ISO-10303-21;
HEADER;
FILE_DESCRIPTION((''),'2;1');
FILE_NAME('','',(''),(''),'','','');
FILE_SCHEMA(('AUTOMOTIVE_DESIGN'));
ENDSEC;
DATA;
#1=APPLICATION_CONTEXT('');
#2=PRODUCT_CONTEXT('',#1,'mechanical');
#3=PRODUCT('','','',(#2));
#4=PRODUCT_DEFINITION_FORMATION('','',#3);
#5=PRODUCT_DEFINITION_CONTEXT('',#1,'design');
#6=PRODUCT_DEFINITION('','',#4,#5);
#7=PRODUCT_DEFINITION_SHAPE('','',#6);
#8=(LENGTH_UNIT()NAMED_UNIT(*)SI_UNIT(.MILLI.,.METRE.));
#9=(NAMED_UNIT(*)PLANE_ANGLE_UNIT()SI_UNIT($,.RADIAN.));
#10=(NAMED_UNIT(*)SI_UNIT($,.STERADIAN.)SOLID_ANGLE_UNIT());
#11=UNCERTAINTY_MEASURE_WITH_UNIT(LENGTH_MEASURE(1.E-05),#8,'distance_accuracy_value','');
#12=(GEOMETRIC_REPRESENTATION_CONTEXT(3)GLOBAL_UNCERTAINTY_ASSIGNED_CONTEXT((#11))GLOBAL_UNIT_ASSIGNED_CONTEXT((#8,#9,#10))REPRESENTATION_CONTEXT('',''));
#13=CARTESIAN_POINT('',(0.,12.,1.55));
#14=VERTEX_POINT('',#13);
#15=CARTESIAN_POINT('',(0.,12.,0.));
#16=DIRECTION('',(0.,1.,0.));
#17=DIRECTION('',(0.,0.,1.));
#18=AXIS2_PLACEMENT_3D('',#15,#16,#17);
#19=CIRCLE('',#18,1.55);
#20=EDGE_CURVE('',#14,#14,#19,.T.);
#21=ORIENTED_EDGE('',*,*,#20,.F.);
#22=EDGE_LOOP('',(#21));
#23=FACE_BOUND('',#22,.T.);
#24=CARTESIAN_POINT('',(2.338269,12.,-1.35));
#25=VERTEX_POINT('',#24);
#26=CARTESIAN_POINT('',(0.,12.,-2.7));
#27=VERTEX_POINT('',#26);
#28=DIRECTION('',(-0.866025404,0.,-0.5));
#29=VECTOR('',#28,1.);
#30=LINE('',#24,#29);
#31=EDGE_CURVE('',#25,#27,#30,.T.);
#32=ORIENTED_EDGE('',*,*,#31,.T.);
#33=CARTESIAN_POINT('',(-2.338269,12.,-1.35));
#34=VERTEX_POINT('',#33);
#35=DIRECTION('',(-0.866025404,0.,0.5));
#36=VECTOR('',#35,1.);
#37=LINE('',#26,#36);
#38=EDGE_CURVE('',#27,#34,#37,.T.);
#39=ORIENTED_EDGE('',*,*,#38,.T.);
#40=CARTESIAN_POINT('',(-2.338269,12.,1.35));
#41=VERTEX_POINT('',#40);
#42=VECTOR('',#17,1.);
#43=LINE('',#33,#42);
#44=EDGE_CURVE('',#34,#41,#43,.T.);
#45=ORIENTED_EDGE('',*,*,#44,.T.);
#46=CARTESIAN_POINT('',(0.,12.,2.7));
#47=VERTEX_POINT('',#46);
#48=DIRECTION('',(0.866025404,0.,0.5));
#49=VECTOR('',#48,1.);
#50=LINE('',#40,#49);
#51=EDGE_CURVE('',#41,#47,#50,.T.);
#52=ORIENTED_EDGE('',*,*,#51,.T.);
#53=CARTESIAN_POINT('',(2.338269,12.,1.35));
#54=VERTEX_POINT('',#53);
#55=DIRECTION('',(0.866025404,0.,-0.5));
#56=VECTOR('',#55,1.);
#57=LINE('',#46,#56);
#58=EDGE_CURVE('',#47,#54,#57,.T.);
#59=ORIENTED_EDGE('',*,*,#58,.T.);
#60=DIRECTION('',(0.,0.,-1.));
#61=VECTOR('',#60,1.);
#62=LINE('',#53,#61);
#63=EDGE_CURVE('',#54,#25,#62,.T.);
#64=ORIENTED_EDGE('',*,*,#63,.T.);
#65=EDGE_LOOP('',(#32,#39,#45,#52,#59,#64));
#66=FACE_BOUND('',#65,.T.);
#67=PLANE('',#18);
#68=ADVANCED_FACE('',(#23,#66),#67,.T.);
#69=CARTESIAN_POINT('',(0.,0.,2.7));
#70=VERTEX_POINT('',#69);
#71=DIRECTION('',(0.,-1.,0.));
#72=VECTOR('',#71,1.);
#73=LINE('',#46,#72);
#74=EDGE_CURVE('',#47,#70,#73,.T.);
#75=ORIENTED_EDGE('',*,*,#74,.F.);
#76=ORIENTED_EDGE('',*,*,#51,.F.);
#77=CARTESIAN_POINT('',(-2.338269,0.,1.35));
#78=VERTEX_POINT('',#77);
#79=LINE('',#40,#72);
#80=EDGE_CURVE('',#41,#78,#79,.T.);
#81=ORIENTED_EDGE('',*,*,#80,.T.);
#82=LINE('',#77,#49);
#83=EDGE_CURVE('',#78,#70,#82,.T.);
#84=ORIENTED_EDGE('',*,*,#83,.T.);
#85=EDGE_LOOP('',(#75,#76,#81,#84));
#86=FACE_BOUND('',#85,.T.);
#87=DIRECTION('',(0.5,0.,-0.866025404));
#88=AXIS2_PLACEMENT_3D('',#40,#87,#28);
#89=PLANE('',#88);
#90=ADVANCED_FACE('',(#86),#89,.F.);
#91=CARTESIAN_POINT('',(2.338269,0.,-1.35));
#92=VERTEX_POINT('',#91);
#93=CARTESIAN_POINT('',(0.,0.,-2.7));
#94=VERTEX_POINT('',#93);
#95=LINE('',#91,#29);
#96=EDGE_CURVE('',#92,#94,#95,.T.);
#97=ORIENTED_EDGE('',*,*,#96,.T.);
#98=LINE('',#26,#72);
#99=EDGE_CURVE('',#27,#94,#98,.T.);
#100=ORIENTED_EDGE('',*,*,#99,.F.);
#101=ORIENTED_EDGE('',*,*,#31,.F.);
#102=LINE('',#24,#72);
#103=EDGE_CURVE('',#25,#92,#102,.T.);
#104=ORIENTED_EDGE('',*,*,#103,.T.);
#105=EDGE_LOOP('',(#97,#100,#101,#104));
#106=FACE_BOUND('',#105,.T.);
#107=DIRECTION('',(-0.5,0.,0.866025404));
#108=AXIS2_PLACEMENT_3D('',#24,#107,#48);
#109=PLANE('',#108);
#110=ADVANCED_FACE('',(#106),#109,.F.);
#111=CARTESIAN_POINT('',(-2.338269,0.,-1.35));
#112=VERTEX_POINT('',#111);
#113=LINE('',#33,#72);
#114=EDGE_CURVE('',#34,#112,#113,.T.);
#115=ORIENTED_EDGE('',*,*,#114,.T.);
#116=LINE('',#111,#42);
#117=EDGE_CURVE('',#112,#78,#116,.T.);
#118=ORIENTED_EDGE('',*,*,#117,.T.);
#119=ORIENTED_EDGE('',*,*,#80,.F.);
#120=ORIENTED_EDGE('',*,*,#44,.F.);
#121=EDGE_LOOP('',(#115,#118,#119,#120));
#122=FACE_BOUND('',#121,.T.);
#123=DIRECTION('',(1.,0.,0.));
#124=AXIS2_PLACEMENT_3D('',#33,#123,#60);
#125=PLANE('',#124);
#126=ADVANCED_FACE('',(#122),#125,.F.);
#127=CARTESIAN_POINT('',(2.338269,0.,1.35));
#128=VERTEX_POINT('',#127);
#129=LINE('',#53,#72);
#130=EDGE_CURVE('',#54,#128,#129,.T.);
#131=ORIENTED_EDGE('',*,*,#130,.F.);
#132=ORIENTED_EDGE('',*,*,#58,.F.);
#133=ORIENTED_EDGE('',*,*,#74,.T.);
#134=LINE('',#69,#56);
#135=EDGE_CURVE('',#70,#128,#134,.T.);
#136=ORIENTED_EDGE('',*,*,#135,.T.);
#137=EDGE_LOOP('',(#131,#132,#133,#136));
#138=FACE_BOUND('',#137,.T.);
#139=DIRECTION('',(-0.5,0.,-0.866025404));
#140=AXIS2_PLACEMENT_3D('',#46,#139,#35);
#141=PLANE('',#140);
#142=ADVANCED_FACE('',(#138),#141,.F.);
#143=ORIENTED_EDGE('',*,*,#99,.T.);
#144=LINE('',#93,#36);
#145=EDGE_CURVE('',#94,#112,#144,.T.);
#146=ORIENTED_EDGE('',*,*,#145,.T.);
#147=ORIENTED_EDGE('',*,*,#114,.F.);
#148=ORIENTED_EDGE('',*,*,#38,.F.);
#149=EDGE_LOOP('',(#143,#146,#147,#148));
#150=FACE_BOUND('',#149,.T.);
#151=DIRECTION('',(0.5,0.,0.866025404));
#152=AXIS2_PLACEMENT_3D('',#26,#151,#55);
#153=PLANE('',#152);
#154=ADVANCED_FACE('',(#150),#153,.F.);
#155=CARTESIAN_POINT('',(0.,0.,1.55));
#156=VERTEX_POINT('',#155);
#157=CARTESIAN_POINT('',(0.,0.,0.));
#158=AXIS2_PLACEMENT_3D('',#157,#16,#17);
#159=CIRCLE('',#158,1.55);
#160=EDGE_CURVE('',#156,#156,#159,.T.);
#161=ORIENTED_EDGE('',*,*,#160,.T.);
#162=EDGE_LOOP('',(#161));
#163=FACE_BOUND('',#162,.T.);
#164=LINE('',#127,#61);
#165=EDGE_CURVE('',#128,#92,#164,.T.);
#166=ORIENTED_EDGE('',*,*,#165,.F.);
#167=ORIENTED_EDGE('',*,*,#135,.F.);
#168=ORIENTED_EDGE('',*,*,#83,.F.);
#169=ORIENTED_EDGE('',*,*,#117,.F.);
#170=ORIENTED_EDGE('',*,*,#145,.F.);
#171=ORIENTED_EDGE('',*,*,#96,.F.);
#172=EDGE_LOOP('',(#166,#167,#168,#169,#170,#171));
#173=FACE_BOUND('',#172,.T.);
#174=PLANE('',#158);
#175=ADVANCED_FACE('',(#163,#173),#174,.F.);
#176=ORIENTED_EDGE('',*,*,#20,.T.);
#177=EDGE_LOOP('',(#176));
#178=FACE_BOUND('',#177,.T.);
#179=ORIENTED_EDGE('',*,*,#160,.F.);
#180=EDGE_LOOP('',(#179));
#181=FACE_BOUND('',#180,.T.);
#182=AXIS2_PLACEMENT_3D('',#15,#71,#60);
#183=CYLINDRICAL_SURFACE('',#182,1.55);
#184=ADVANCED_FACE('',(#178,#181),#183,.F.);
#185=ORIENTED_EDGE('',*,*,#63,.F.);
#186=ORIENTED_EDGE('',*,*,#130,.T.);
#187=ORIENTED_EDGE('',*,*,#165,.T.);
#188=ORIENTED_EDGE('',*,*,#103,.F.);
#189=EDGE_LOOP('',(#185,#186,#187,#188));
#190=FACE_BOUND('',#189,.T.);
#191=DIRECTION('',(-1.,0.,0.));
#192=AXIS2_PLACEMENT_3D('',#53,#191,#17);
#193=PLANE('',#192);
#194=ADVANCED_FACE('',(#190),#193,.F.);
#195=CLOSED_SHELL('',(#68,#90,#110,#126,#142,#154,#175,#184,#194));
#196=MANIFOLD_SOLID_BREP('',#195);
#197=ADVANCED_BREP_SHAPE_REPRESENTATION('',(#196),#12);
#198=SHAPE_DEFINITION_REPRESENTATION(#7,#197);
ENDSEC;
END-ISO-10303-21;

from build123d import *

# Parameters (mm, degrees)
SKETCH_1_R      = 1.55
EXTRUDE_1_DEPTH = 12


with BuildPart() as part:
    # 草图1 → 凸台-拉伸1 (new body)
    with BuildSketch(Plane(origin=(0, 0, 0), x_dir=(1, 0, 0), z_dir=(0, 1, 0))):
        Polygon((0, 2.7), (-2.33826859, 1.35), (-2.33826859, -1.35), (0, -2.7), (2.33826859, -1.35), (2.33826859, 1.35), align=None)
        with Locations(Location((0, 0, 0), (0, 0, 270))):
            Circle(SKETCH_1_R, mode=Mode.SUBTRACT)
    extrude(amount=EXTRUDE_1_DEPTH)


solid = part.part
